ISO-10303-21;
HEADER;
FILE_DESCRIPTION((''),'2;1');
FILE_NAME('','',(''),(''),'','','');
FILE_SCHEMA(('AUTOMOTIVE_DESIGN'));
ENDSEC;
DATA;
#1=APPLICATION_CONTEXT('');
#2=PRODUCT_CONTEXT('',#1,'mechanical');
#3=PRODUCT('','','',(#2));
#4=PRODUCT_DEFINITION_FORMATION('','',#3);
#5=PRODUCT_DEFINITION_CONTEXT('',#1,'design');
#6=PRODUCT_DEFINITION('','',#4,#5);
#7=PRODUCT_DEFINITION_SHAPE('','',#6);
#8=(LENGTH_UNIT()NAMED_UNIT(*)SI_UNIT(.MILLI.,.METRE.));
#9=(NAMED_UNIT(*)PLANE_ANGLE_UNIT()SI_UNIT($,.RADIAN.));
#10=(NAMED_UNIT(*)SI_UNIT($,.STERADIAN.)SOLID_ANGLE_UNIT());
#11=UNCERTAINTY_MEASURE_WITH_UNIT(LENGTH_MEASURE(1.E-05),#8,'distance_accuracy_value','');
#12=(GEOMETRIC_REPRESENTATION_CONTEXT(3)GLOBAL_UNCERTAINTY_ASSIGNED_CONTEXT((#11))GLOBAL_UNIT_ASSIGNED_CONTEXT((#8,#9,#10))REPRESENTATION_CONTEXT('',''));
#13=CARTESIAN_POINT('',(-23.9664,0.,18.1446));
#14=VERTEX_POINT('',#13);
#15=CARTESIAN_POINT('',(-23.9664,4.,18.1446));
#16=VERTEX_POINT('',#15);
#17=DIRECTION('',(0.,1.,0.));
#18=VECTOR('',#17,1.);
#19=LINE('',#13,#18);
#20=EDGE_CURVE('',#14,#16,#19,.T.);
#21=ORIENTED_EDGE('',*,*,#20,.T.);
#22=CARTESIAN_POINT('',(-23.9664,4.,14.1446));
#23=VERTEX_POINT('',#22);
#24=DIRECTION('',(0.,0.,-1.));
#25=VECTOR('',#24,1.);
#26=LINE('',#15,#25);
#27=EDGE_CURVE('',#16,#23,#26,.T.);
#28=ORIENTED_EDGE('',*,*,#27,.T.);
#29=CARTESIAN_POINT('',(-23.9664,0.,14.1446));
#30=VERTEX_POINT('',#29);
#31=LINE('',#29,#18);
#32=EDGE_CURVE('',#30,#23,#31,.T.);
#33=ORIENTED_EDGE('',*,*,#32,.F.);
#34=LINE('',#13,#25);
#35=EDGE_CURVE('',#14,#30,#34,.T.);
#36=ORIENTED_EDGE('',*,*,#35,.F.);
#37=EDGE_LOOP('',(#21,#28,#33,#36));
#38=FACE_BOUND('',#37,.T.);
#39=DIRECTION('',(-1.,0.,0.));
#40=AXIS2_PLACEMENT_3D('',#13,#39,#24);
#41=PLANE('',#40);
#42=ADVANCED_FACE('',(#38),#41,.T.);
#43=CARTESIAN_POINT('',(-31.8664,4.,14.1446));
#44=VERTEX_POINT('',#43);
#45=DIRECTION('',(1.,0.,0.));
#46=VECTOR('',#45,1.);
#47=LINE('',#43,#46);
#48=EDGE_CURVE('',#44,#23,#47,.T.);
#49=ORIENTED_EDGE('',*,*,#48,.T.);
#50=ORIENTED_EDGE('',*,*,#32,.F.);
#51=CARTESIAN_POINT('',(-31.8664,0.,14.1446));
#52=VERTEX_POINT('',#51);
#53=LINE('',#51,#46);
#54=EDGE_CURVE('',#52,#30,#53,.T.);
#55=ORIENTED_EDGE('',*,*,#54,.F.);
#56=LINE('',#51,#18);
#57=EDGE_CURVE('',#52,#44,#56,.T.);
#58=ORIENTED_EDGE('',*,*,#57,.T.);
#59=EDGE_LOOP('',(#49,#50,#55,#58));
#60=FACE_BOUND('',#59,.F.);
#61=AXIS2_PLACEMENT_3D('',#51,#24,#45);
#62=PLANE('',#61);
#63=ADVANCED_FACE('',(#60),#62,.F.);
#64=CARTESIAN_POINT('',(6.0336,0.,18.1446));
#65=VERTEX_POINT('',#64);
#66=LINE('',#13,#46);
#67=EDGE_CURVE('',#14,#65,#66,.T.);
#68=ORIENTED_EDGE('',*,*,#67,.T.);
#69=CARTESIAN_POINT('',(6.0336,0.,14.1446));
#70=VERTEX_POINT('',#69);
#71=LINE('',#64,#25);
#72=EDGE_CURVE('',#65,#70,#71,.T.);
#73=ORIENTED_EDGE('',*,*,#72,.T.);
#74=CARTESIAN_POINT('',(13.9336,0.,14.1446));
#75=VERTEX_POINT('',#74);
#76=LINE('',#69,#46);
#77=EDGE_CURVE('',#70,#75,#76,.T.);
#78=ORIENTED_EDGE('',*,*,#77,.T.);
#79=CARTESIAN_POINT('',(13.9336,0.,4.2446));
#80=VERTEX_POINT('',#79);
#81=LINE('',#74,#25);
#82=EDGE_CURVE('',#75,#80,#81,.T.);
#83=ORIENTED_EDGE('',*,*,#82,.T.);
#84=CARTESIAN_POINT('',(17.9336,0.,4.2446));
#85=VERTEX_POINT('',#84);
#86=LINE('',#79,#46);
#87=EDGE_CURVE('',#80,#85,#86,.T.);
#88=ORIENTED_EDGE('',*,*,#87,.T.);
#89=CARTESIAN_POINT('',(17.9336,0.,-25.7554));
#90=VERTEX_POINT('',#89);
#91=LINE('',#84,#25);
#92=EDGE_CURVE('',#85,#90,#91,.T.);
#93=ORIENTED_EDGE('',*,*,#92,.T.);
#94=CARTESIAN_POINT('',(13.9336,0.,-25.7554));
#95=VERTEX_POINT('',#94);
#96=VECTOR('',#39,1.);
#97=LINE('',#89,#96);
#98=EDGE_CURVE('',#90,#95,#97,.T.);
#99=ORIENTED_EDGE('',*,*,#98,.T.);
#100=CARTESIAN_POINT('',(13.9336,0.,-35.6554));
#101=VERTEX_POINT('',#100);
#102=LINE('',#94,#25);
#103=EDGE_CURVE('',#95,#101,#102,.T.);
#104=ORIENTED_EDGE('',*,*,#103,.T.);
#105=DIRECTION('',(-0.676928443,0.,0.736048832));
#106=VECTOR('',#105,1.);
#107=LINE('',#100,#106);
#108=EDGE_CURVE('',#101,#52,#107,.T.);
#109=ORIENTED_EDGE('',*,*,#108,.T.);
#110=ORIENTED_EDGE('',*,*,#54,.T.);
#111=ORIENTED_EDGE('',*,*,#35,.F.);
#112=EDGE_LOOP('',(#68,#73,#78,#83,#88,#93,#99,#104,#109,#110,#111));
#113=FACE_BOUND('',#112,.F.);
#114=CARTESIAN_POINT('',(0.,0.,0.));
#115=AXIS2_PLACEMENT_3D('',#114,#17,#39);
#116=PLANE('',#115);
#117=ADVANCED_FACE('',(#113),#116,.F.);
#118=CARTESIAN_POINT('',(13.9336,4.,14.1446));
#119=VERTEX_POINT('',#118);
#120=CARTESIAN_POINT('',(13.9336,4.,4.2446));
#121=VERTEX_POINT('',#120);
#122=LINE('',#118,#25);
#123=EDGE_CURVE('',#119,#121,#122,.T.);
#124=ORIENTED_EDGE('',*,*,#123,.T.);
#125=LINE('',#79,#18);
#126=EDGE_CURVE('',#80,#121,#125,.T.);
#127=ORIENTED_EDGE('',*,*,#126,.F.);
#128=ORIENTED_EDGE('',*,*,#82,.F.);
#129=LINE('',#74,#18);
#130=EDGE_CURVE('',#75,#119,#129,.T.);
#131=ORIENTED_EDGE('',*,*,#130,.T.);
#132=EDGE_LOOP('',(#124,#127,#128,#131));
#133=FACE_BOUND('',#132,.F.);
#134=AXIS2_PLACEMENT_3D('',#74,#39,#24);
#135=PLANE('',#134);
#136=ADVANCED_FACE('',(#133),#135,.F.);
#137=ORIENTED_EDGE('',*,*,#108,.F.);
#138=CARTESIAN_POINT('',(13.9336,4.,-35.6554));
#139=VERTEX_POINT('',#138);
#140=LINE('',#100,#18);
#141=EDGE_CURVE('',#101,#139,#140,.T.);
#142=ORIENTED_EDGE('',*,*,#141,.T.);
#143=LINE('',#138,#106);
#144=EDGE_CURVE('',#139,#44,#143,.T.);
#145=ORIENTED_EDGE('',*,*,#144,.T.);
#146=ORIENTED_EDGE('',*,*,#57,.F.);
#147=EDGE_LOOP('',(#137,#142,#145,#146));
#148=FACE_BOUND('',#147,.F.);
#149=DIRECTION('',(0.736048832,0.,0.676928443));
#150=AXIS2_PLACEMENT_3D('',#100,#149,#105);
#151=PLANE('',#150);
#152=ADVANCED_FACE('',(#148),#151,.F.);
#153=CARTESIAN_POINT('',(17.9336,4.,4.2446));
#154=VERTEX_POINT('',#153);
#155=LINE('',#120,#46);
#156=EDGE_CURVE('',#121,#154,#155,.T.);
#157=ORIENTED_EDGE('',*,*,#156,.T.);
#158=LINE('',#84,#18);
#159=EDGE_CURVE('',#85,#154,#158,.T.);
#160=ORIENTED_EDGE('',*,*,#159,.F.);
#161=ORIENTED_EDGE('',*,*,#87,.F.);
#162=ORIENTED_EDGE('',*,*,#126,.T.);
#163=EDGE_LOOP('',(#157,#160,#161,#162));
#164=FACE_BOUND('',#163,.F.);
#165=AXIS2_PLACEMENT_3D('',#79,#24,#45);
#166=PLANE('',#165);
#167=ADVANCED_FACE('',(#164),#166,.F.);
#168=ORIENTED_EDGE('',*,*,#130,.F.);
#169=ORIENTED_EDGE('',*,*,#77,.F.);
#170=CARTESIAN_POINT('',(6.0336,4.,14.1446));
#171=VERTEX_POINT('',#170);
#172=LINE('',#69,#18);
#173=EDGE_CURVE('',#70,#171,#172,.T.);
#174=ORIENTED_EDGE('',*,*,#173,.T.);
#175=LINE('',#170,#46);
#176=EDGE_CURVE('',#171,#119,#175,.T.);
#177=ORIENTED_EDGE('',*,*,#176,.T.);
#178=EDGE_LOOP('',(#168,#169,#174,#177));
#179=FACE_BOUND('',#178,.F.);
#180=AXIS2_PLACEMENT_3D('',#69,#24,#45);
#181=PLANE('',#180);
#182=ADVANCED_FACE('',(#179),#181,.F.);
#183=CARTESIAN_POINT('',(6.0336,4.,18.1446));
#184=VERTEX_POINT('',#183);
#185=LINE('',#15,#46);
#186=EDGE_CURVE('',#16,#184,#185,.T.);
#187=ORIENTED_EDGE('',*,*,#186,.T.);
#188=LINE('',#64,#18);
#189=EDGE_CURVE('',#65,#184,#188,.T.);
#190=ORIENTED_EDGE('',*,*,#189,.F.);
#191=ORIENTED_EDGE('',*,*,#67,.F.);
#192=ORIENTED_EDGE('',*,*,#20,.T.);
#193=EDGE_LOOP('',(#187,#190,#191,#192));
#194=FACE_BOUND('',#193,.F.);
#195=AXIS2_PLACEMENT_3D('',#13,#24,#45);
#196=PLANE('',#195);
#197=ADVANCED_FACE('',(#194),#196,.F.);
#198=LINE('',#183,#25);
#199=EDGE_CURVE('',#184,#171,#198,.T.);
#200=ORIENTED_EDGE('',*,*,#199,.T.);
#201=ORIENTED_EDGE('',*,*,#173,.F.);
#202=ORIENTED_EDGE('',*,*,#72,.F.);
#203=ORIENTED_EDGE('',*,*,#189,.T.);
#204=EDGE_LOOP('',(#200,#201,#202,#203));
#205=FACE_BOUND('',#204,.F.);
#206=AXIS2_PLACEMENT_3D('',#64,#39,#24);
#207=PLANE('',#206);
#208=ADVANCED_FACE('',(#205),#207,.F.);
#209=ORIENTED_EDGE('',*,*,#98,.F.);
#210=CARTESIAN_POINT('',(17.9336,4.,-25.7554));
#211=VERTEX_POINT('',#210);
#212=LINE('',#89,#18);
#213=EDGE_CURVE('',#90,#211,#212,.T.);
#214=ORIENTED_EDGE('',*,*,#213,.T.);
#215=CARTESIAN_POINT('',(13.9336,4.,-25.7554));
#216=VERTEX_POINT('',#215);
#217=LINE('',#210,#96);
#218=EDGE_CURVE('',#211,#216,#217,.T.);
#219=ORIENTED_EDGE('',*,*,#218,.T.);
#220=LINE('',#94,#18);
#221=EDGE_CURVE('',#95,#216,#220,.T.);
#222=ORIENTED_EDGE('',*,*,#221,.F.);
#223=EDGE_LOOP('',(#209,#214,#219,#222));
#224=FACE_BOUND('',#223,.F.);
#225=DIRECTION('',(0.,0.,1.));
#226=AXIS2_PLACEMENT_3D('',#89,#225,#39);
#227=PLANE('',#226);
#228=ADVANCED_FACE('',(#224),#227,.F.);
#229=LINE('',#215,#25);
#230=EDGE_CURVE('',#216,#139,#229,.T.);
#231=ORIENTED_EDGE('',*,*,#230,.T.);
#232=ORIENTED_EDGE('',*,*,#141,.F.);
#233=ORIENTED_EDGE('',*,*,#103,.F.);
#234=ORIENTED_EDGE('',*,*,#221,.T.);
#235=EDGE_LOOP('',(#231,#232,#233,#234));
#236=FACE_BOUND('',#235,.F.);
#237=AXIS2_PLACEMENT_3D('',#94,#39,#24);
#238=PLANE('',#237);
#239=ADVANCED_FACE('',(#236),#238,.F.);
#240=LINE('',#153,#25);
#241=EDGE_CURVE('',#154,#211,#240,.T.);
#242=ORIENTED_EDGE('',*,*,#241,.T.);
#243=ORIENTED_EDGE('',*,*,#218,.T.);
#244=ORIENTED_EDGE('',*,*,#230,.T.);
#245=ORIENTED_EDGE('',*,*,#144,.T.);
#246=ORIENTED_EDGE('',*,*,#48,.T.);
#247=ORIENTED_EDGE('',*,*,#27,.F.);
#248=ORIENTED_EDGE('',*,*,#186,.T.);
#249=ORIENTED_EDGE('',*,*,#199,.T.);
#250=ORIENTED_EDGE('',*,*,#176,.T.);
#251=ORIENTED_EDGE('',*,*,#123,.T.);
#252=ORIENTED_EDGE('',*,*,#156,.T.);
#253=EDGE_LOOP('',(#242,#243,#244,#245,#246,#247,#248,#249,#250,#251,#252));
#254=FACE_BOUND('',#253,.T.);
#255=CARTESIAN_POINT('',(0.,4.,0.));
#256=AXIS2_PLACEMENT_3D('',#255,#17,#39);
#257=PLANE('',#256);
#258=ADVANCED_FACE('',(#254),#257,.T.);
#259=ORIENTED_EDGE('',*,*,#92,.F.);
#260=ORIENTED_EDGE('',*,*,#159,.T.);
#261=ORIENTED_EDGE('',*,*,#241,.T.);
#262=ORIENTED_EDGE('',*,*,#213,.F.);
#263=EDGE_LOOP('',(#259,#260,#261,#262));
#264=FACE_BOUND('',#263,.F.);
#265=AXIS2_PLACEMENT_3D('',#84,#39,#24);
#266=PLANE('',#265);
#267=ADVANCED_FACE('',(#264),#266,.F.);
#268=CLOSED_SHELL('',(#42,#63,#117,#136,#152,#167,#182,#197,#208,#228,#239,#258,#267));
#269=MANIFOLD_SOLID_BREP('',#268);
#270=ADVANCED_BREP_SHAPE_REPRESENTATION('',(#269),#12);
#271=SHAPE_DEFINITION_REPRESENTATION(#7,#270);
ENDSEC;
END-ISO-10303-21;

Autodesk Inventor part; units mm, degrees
ref_plane "YZ Plane" through (0, 0, 0) normal (1, 0, 0) x (0, 1, 0)
ref_plane "XZ Plane" through (0, 0, 0) normal (0, 1, 0) x (-1, 0, 0)
ref_plane "XY Plane" through (0, 0, 0) normal (0, 0, 1) x (1, 0, 0)
sketch "스케치1" plane through (0, 0, 0) normal (0, 1, 0) x (-1, 0, 0)
  line L0 (23.9664, 18.1446) -> (-6.0336, 18.1446)
  line L1 (-6.0336, 18.1446) -> (-6.0336, 14.1446)
  line L2 (-6.0336, 14.1446) -> (-13.9336, 14.1446)
  line L3 (-13.9336, 14.1446) -> (-13.9336, 4.2446)
  line L4 (-13.9336, 4.2446) -> (-17.9336, 4.2446)
  line L5 (-17.9336, 4.2446) -> (-17.9336, -25.7554)
  line L6 (-17.9336, -25.7554) -> (-13.9336, -25.7554)
  line L7 (-13.9336, -25.7554) -> (-13.9336, -35.6554)
  line L8 (-13.9336, -35.6554) -> (31.8664, 14.1446)
  line L9 (31.8664, 14.1446) -> (23.9664, 14.1446)
  line L10 (23.9664, 18.1446) -> (23.9664, 14.1446)
  point P0 (0, 0)
  dimension "d0" = 7.9
  dimension "d1" = 7.9
  dimension "d2" = 30
  dimension "d3" = 4
  dimension "d4" = 4
  dimension "d5" = 9.9
  dimension "d6" = 9.9
  dimension "d7" = 30
extrude "돌출1" add sketch "스케치1" along normal blind 4
properties part number "sensor_supporter"
